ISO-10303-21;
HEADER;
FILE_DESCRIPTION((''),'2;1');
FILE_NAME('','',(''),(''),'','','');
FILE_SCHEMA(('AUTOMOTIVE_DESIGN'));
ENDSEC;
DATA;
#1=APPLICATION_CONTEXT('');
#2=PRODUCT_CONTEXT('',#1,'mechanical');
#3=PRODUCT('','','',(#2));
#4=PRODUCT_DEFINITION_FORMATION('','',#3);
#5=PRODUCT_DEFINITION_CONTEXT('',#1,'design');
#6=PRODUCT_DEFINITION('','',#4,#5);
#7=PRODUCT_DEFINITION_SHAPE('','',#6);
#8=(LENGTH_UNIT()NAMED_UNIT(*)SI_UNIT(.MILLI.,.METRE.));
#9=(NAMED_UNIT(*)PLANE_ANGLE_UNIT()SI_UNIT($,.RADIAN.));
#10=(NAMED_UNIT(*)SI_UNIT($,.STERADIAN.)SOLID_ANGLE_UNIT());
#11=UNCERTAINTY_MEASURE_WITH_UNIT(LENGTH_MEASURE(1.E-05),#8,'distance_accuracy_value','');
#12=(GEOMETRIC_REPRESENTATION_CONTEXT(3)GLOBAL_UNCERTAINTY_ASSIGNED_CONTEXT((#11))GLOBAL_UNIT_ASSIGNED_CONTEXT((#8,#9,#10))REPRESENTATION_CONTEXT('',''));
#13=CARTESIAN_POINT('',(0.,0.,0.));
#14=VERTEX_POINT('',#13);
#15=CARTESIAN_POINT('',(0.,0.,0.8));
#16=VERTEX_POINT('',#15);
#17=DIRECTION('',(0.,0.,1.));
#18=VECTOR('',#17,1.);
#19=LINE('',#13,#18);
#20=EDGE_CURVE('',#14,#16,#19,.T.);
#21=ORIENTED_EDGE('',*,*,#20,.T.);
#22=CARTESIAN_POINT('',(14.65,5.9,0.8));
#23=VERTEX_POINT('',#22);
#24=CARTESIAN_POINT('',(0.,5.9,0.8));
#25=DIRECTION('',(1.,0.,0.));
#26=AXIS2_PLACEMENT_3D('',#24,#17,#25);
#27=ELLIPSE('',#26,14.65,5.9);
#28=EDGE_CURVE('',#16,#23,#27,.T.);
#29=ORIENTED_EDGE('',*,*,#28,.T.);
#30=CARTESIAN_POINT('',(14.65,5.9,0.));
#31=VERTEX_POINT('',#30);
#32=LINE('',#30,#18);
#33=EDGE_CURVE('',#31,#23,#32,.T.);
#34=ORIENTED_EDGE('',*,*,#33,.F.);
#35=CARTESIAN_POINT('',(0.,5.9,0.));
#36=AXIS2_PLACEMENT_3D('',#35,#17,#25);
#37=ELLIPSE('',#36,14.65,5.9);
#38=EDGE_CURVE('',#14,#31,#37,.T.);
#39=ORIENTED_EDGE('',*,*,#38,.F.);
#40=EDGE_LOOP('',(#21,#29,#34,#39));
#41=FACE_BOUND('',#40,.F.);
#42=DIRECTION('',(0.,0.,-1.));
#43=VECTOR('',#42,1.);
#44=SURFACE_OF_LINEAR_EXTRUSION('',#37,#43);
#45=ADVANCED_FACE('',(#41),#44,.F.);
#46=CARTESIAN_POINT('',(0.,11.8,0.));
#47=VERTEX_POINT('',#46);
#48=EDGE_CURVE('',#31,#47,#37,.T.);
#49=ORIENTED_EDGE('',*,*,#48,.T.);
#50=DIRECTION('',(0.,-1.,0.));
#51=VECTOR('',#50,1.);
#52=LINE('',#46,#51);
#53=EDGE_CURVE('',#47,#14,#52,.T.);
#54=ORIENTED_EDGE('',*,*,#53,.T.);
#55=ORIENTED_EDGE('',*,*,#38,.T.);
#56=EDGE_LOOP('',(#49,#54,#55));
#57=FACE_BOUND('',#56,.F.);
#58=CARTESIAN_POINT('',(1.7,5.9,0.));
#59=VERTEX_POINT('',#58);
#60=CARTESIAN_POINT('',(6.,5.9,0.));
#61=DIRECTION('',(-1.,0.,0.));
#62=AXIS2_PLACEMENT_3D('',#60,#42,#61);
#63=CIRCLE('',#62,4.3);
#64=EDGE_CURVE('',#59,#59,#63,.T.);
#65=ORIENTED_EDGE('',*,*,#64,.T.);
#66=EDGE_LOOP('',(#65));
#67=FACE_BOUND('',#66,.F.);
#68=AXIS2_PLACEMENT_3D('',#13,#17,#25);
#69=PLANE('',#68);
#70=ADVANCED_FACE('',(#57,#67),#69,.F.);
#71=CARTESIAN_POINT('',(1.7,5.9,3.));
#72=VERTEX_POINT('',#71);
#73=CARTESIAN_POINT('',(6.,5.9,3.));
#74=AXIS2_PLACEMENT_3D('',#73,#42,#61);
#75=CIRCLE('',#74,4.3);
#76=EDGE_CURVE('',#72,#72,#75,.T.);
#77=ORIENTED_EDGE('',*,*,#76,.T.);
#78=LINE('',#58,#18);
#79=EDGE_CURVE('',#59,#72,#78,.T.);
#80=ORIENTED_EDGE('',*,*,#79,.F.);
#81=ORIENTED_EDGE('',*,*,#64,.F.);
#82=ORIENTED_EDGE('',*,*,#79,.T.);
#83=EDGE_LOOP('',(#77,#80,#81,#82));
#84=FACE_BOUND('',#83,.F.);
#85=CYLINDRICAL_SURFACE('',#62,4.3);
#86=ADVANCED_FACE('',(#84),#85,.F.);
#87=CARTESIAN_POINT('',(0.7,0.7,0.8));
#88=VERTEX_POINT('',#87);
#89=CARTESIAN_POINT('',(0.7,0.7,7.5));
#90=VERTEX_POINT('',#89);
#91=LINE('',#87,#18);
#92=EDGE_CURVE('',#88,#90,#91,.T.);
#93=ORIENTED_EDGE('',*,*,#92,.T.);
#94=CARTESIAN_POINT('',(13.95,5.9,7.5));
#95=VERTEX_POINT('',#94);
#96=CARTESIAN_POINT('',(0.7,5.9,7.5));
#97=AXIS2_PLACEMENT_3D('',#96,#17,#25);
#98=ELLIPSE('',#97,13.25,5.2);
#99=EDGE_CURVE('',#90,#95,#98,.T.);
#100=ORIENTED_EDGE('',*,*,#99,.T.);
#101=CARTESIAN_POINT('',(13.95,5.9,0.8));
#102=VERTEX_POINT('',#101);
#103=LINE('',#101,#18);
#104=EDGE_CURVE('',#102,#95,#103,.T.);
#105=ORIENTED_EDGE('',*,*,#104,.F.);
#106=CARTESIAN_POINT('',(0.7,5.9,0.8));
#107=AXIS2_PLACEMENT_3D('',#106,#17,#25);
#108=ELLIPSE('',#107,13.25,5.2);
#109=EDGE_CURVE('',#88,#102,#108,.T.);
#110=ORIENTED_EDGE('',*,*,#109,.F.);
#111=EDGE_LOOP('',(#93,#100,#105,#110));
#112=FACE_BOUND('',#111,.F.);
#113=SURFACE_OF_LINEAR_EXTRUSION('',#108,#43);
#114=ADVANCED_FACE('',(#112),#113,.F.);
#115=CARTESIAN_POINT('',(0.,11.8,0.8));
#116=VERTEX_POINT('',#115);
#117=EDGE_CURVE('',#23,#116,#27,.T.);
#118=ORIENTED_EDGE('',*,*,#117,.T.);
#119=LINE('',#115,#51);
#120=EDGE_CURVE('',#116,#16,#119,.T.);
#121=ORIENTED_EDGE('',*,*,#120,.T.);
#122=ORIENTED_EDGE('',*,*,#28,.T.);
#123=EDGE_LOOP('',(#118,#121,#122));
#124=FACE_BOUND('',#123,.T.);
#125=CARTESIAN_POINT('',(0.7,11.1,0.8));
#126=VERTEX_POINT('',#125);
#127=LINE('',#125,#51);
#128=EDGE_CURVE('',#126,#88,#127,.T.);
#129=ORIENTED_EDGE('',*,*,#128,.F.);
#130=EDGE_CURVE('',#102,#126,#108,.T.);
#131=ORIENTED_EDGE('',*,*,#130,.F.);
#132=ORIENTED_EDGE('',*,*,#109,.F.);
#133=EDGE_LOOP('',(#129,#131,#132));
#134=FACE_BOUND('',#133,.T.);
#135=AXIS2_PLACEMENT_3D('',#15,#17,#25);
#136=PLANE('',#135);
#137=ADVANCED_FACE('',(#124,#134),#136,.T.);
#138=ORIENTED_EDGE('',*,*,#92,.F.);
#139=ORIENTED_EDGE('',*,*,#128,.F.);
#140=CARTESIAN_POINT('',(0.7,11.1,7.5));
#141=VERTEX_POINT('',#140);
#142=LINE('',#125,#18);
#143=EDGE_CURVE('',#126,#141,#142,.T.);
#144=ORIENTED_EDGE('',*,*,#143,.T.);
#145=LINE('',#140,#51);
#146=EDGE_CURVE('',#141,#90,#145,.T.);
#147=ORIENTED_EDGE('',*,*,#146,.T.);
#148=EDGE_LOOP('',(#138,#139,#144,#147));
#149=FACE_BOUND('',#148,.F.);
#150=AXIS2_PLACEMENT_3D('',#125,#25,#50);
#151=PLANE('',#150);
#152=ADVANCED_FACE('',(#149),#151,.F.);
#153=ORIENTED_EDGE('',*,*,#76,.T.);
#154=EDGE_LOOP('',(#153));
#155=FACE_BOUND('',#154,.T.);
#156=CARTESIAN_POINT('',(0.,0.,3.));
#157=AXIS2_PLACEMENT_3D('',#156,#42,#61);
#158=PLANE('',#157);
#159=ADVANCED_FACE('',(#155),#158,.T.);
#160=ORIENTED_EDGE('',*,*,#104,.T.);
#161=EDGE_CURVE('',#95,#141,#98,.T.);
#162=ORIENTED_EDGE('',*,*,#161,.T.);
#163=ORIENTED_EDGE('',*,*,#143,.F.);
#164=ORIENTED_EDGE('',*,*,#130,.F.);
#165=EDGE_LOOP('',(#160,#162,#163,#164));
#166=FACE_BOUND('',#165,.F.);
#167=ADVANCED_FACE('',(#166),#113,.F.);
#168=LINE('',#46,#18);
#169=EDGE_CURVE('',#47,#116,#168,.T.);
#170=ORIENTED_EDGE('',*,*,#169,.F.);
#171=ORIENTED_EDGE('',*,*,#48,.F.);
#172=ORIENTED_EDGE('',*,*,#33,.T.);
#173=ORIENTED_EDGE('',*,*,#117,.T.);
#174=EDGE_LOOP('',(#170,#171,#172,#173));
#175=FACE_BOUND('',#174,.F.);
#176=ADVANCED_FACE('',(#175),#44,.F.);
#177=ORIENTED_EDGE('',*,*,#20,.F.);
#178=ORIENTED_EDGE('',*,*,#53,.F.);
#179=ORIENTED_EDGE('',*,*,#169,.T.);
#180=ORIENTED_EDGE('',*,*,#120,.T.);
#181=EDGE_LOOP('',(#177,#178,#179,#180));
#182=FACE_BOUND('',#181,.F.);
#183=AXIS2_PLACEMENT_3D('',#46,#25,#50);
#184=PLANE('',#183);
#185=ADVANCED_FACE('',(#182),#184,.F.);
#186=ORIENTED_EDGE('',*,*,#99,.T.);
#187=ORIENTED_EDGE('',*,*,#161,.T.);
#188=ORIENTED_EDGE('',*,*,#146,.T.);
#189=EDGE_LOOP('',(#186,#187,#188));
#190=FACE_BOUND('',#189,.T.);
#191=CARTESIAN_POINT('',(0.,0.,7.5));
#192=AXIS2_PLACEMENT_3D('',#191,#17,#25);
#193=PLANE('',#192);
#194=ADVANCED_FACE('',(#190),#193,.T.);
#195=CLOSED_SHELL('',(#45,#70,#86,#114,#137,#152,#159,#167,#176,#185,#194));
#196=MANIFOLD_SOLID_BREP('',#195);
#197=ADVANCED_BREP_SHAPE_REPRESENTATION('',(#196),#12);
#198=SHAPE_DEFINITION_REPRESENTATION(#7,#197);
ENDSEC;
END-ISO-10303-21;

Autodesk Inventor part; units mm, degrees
ref_plane "Plan YZ" through (0, 0, 0) normal (1, 0, 0) x (0, 1, 0)
ref_plane "Plan XZ" through (0, 0, 0) normal (0, 1, 0) x (-1, 0, 0)
ref_plane "Plan XY" through (0, 0, 0) normal (0, 0, 1) x (1, 0, 0)
sketch "Esquisse1" plane through (0, 0, 0) normal (0, 0, 1) x (1, 0, 0)
  line L0 (0, 11.8) -> (0, 0)
  ellipse E0 centre (0, 5.9) end of major axis (14.65, 5.9) minor radius 5.9
  dimension "d13" = 14.65
  dimension "d1" = 11.8
extrude "Extrusion3" add sketch "Esquisse1" along normal blind 0.8 contours E0 L0 picked at (3.5971, 4.141)
sketch "Esquisse7" plane through (0, 0, 0.8) normal (0, 0, 1) x (1, 0, 0)
  ellipse E0 centre (0.7, 5.9) end of major axis (13.95, 5.9) minor radius 5.2
  line L0 (0.7, 11.1) -> (0.7, 0.7)
  line L1 (0, 11.8) -> (0, 0) projected
  line L2 (0.7, 11.7933) -> (0.7, 11.1) construction
  line L3 (0.7, 0.7) -> (0.7, 0.0067) construction
  ellipse E1 centre (0, 5.9) end of major axis (14.65, 5.9) minor radius 5.9 (0, 0) -> (0, 11.8) ccw projected
  dimension "d16" = 13.25
  dimension "d17" = 10.4
  dimension "d18" = 0.7
extrude "Extrusion4" add sketch "Esquisse7" along normal blind 6.7 contours E0 L0
sketch "Esquisse8" plane through (0, 0, 0) normal (0, 0, -1) x (-1, 0, 0)
  circle A0 centre (-6, 5.9) radius 4.3
  line L0 (0, 11.8) -> (0, 0) projected
  line L1 (2.2688, 5.9) -> (-1.7595, 5.9) construction
  line L2 (0, 0) -> (0, 5.9) construction
  line L3 (0, 5.9) -> (0, 11.8) construction
  line L4 (-0.7, 0.7) -> (-0.7, 11.1) construction
  dimension "d21" = 8.6
  dimension "d26" = 5.3
extrude "Extrusion5" cut sketch "Esquisse8" against normal blind 3
properties part number "P1704_019_button_triangle_cap" material "."
